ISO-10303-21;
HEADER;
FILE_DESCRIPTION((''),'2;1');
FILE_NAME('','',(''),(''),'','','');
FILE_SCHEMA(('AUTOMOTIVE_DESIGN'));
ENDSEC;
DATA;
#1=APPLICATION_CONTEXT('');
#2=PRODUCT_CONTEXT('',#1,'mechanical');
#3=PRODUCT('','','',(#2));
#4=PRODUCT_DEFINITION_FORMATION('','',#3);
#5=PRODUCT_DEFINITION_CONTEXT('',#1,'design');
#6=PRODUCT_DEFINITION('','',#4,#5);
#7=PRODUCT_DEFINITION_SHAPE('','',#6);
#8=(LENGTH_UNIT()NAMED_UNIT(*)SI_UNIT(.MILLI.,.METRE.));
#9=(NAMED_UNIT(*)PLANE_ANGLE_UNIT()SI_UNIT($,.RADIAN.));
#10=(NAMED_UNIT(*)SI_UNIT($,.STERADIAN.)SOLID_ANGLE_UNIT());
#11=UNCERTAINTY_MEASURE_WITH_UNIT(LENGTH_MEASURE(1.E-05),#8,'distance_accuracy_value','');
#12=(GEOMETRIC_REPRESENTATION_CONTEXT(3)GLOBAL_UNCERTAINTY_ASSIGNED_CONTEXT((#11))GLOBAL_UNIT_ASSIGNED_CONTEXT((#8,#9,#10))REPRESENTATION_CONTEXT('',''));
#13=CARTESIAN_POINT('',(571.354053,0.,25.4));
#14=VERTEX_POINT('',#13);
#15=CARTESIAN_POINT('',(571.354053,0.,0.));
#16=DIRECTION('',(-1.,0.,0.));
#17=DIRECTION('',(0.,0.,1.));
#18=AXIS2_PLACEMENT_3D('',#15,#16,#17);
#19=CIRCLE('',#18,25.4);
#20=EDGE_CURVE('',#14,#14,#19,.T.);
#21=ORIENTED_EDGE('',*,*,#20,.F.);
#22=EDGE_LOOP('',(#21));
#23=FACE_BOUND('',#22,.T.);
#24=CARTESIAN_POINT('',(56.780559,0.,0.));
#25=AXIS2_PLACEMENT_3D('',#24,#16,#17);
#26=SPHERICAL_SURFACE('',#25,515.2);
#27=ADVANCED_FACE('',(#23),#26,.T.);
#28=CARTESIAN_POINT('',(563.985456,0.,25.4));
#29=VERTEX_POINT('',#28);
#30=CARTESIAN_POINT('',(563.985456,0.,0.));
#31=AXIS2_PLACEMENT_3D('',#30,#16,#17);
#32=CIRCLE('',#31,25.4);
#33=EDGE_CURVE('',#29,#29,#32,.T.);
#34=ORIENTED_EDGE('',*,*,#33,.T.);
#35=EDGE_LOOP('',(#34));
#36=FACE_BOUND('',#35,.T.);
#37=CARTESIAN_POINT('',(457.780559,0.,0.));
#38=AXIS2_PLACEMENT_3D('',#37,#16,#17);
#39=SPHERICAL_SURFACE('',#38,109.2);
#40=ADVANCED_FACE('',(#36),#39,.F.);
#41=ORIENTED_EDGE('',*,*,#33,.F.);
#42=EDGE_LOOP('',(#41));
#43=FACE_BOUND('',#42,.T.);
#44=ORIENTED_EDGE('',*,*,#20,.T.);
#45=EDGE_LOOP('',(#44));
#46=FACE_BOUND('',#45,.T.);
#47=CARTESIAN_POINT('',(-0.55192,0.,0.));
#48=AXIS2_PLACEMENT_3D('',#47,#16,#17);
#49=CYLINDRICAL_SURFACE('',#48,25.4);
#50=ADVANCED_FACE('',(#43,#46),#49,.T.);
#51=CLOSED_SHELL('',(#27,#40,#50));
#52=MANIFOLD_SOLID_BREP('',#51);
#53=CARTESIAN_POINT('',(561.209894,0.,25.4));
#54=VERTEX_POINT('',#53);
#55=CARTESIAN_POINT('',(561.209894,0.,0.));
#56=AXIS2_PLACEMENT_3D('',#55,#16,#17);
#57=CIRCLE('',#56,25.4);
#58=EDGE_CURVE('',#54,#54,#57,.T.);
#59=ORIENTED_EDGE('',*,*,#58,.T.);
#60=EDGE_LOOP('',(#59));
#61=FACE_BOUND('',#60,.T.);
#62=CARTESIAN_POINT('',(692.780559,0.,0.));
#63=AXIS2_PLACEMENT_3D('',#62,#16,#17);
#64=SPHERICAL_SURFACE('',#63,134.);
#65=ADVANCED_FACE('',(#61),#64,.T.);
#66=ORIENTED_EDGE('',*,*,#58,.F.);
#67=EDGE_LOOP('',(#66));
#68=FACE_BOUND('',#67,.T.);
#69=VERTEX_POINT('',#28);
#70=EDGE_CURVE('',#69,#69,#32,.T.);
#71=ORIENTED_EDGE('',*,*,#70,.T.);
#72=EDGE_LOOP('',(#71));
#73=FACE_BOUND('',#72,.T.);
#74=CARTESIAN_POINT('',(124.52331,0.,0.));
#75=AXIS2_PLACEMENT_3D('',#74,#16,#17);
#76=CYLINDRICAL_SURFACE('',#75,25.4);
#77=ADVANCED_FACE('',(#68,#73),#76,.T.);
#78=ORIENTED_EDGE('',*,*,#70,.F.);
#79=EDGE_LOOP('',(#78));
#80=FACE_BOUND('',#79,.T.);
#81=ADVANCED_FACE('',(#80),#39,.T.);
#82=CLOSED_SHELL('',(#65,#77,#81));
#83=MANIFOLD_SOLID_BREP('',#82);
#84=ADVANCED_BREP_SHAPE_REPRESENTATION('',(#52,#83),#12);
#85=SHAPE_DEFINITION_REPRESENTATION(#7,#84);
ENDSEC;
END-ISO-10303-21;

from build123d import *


with BuildPart() as part:
    # 草图1 one side → 旋转1 (revolve)
    with BuildSketch(Plane(origin=(0, 0, 0), x_dir=(1, 0, 0), z_dir=(0, 1, 0)), mode=Mode.PRIVATE) as revolve_1_sk:
        with BuildLine():
            ThreePointArc((561.209893851, 25.4), (559.389275513, 12.757955033), (558.780559274, 0))
            Line((558.780559274, 0), (566.980559274, 0))
            ThreePointArc((566.980559274, 0), (566.229198447, 12.787988956), (563.985455583, 25.4))
            Line((563.985455583, 25.4), (561.209893851, 25.4))
        make_face()
    revolve(revolve_1_sk.sketch.rotate(Axis((124.523309526, 0, 0), (1, 0, 0)), 180), axis=Axis((124.523309526, 0, 0), (1, 0, 0)))  # turned: the seam where the file's is


with BuildPart() as body_2:
    # 草图2 one side → 旋转3 (revolve)
    with BuildSketch(Plane(origin=(0, 0, 0), x_dir=(1, 0, 0), z_dir=(0, 1, 0)), mode=Mode.PRIVATE) as revolve_3_sk:
        with BuildLine():
            Line((571.354052568, 25.4), (563.985455583, 25.4))
            ThreePointArc((563.985455583, 25.4), (566.229198447, 12.787988956), (566.980559274, 0))
            Line((566.980559274, 0), (571.980559274, 0))
            ThreePointArc((571.980559274, 0), (571.823908782, 12.703862706), (571.354052568, 25.4))
        make_face()
    revolve(revolve_3_sk.sketch.rotate(Axis((-0.551919993, 0, 0), (1, 0, 0)), 180), axis=Axis((-0.551919993, 0, 0), (1, 0, 0)))  # turned: the seam where the file's is


solid = Compound([part.part, body_2.part])
